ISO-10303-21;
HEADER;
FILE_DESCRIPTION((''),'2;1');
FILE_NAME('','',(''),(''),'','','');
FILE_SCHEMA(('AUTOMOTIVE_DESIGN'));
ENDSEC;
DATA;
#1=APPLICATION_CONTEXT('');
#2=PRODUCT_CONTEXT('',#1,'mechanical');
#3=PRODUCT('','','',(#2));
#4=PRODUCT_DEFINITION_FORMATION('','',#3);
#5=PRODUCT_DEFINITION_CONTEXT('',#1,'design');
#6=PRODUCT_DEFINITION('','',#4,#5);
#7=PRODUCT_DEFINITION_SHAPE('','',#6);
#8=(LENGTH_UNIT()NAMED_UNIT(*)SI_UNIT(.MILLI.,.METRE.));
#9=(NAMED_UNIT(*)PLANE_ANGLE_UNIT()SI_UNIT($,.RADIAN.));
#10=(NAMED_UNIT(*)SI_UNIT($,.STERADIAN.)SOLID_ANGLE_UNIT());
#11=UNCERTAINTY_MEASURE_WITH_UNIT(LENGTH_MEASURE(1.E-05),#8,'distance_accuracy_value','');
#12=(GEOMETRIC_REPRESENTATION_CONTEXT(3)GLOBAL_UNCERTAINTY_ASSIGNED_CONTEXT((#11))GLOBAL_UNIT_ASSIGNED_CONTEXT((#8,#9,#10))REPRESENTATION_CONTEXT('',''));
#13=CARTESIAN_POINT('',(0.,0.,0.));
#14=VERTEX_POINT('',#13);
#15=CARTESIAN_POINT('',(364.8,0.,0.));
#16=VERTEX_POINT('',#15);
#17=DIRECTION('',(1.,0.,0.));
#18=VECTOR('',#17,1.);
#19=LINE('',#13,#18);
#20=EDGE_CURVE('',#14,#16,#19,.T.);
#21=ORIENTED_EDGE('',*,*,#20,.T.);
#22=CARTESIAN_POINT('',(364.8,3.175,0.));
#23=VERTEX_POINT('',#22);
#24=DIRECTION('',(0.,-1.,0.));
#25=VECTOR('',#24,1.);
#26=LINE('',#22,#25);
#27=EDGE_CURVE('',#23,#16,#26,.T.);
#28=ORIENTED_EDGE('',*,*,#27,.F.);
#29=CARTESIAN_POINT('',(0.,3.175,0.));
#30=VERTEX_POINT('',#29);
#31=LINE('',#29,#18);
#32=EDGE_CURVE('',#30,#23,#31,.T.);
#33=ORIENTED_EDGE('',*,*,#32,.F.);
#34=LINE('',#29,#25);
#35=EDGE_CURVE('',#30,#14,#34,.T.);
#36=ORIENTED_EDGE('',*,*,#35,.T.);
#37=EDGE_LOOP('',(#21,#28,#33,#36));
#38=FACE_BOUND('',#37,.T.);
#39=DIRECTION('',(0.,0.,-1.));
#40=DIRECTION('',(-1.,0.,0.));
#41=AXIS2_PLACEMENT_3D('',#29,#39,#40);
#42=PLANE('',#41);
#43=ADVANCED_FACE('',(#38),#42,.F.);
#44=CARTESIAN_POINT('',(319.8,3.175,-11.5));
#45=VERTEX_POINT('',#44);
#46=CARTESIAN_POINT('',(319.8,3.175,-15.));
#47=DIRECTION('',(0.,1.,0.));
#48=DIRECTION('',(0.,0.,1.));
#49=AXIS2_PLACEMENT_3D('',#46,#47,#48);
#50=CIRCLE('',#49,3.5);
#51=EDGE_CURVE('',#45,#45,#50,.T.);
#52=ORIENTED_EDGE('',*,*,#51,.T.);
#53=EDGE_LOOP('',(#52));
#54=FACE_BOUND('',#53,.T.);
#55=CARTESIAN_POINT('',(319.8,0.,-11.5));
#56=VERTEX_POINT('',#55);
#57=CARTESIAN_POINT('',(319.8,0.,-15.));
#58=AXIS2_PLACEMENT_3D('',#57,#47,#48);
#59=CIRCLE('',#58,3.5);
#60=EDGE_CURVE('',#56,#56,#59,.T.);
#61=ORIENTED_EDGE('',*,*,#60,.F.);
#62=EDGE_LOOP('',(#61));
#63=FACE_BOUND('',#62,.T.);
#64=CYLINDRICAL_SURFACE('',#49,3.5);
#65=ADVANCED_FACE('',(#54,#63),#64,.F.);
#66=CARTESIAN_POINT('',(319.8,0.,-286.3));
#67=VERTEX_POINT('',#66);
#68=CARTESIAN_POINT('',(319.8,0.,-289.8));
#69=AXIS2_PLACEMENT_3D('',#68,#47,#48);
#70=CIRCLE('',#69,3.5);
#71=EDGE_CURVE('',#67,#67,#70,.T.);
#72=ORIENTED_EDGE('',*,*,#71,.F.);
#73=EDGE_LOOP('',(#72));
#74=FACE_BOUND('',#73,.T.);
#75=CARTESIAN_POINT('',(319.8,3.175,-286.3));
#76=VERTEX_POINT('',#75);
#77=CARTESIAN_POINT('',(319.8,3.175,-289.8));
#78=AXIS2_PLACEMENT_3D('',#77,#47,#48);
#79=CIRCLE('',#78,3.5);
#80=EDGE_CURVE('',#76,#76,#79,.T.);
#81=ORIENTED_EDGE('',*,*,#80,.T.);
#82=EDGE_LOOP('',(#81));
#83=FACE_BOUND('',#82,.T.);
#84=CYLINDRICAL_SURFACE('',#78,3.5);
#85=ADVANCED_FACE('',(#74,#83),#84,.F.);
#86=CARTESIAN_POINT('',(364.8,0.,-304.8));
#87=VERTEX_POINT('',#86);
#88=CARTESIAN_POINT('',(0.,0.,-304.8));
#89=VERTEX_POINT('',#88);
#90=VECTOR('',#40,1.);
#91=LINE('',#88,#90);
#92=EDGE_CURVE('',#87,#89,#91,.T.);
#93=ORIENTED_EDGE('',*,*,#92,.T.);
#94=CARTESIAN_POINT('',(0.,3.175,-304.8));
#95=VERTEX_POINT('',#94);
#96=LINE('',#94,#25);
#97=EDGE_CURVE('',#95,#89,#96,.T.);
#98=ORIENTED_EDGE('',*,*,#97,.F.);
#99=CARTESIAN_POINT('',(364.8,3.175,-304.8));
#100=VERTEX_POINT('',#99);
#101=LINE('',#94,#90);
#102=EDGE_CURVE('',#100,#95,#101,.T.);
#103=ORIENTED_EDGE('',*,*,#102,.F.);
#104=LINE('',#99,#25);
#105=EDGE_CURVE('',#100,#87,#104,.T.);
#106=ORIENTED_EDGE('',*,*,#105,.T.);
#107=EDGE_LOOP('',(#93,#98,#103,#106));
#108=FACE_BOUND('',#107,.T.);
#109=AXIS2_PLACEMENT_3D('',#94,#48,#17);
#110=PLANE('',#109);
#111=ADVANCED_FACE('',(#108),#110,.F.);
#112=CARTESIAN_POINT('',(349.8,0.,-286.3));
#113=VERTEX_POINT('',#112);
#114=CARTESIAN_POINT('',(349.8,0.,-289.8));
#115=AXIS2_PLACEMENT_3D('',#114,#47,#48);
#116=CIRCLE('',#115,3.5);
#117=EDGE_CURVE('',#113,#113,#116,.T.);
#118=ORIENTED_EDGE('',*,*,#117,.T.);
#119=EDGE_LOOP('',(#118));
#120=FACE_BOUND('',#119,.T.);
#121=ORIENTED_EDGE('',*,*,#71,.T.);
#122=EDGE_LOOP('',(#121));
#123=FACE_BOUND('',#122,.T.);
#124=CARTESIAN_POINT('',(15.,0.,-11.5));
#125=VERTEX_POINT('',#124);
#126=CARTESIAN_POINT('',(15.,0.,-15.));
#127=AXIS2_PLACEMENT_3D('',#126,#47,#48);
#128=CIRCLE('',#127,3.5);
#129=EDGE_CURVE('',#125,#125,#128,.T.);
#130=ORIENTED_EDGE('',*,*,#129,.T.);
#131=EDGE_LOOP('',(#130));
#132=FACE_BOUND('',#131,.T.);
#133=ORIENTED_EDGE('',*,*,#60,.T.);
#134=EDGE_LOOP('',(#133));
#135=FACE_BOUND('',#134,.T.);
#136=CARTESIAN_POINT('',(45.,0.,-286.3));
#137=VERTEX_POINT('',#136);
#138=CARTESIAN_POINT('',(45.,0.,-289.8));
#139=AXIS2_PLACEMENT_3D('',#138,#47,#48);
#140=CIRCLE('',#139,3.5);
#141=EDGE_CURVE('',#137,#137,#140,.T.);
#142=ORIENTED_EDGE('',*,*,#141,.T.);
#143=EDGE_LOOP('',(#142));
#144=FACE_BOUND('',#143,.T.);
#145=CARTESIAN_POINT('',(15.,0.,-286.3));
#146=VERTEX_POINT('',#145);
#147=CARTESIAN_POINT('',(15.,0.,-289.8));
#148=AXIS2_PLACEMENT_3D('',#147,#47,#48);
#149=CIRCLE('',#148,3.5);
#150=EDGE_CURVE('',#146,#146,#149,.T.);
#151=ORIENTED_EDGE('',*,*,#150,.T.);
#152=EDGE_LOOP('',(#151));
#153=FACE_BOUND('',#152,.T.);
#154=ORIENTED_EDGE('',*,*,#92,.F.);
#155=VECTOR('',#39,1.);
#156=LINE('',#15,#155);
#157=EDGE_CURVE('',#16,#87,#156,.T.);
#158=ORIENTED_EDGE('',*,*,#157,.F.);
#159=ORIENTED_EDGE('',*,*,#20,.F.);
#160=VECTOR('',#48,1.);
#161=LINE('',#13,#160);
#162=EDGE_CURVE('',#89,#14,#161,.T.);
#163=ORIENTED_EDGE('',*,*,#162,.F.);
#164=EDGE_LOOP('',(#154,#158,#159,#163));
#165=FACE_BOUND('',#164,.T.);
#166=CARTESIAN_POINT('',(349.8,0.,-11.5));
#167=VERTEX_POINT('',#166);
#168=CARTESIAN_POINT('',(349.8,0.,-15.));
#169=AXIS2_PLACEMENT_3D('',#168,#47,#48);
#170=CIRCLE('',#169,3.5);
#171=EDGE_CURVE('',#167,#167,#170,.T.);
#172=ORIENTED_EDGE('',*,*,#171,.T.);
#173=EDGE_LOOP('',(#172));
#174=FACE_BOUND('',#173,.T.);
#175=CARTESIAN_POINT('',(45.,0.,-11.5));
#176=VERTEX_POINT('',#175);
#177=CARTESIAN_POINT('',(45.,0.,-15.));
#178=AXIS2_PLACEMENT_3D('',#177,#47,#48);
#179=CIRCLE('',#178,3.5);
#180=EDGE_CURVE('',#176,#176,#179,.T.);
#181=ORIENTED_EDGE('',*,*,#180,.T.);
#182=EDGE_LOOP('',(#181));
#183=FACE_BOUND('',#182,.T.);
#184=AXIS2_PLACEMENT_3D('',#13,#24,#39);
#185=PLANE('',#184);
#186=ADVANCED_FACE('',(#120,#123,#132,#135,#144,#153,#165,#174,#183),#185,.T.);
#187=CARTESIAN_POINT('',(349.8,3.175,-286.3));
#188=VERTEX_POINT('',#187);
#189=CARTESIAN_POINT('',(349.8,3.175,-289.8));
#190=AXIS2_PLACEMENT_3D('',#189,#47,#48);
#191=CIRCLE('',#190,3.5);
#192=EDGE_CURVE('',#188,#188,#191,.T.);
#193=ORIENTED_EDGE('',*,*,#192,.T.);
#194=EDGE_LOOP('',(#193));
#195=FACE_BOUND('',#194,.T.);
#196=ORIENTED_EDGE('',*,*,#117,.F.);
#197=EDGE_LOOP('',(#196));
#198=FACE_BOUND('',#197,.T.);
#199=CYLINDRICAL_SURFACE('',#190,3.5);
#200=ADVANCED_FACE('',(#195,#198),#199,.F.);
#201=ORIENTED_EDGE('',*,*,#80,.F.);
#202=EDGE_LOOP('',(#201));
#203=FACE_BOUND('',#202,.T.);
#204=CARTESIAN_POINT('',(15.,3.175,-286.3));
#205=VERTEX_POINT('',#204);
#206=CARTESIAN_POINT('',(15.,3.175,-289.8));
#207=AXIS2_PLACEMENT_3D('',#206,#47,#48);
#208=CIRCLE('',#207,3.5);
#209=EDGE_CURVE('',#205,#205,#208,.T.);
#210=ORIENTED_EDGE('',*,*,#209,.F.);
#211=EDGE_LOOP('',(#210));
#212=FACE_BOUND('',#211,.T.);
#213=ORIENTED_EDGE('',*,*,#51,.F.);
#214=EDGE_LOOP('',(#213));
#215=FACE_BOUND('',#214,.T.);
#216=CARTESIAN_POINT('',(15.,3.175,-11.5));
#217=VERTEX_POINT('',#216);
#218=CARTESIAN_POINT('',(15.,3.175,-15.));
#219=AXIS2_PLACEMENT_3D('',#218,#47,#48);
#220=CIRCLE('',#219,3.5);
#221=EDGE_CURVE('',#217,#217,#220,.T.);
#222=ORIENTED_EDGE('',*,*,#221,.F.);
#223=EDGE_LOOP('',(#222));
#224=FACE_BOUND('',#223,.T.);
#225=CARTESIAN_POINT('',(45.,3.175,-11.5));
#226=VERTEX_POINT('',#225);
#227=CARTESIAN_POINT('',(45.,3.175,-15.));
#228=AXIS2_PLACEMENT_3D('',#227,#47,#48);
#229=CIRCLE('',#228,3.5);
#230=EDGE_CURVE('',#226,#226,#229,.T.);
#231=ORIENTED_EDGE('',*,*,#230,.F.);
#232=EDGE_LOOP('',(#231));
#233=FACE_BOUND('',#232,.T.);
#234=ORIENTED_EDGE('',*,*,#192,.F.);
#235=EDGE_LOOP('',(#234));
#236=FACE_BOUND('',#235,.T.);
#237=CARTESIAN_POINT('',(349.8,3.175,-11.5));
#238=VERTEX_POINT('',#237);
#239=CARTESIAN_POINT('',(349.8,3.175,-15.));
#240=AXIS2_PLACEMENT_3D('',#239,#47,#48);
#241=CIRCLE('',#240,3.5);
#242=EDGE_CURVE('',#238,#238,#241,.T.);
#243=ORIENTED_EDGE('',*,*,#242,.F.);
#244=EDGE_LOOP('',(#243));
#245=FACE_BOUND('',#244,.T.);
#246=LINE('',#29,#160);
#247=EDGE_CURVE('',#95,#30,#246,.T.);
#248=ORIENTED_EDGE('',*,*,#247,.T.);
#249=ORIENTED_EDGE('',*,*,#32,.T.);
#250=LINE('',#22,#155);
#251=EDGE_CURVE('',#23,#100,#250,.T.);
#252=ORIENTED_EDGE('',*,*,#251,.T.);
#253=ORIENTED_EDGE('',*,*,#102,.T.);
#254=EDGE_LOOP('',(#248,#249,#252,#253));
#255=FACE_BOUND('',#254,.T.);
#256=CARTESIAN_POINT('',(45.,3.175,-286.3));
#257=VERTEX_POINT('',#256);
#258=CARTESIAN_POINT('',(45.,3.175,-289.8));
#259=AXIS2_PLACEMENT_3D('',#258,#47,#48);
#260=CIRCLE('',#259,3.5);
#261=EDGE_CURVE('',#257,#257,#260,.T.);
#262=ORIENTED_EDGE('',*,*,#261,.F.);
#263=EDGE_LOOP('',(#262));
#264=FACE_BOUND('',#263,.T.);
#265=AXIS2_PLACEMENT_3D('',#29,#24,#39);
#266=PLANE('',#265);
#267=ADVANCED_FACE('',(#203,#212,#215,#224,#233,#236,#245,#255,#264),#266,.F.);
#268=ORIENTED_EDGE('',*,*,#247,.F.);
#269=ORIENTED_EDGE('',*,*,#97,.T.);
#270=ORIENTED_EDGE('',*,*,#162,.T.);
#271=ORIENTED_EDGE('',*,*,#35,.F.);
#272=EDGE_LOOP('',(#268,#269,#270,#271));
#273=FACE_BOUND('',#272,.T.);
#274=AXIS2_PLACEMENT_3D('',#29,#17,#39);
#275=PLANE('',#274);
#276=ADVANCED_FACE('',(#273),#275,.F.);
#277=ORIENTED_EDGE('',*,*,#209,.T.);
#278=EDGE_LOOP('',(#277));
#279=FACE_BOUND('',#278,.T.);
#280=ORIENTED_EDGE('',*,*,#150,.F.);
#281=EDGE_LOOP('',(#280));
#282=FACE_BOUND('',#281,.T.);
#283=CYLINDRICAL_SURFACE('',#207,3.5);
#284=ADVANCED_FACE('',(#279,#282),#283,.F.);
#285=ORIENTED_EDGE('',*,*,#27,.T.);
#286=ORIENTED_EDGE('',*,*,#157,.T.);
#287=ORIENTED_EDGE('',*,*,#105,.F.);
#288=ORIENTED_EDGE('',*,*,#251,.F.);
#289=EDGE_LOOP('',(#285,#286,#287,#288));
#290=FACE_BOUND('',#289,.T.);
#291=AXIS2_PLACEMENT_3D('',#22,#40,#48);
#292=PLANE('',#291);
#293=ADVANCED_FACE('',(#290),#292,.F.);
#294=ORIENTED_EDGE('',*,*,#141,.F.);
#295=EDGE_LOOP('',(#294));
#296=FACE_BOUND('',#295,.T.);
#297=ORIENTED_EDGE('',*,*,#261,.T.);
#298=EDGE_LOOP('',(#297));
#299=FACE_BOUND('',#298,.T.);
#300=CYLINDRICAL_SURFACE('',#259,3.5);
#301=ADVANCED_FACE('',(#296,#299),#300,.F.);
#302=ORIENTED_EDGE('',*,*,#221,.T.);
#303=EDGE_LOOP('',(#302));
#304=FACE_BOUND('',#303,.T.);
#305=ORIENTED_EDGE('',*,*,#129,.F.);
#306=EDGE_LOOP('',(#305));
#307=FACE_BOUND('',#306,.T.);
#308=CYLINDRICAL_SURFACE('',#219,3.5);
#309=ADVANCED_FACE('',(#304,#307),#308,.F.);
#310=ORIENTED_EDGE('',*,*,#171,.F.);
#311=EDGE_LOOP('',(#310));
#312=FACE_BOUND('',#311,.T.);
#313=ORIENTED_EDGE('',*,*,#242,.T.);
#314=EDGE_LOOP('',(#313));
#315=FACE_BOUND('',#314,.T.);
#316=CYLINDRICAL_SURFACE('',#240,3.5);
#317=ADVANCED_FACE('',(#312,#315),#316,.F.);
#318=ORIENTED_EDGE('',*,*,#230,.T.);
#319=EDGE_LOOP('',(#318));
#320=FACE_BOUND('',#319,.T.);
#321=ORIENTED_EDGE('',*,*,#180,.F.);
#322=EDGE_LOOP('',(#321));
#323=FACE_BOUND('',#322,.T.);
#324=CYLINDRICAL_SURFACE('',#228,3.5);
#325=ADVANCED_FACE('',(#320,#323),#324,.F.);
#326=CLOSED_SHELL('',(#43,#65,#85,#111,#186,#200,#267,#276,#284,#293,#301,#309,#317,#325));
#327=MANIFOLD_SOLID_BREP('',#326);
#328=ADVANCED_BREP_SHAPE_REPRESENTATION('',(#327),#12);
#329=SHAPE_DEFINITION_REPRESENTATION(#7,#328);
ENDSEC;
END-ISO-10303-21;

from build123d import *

# Parameters (mm, degrees)
SKETCH1_W           = 364.8
SKETCH1_H           = 304.8
BOSS_EXTRUDE1_DEPTH = 3.175
HOLE1_D             = 7


with BuildPart() as part:
    # Sketch1 → Boss-Extrude1 (new body)
    with BuildSketch(Plane(origin=(0, 0, 0), x_dir=(1, 0, 0), z_dir=(0, 1, 0))):
        with Locations((182.4, 152.4)):
            Rectangle(SKETCH1_W, SKETCH1_H)
    extrude(amount=BOSS_EXTRUDE1_DEPTH)

    # Hole1 (through all)
    with Locations(Plane(origin=(0, 3.175, 0), x_dir=(1, 0, 0), z_dir=(0, 1, 0))):
        with Locations((45, 15), (15, 289.8), (349.8, 289.8), (349.8, 15), (15, 15), (45, 289.8), (319.8, 289.8), (319.8, 15)):
            Hole(HOLE1_D / 2)


solid = part.part
